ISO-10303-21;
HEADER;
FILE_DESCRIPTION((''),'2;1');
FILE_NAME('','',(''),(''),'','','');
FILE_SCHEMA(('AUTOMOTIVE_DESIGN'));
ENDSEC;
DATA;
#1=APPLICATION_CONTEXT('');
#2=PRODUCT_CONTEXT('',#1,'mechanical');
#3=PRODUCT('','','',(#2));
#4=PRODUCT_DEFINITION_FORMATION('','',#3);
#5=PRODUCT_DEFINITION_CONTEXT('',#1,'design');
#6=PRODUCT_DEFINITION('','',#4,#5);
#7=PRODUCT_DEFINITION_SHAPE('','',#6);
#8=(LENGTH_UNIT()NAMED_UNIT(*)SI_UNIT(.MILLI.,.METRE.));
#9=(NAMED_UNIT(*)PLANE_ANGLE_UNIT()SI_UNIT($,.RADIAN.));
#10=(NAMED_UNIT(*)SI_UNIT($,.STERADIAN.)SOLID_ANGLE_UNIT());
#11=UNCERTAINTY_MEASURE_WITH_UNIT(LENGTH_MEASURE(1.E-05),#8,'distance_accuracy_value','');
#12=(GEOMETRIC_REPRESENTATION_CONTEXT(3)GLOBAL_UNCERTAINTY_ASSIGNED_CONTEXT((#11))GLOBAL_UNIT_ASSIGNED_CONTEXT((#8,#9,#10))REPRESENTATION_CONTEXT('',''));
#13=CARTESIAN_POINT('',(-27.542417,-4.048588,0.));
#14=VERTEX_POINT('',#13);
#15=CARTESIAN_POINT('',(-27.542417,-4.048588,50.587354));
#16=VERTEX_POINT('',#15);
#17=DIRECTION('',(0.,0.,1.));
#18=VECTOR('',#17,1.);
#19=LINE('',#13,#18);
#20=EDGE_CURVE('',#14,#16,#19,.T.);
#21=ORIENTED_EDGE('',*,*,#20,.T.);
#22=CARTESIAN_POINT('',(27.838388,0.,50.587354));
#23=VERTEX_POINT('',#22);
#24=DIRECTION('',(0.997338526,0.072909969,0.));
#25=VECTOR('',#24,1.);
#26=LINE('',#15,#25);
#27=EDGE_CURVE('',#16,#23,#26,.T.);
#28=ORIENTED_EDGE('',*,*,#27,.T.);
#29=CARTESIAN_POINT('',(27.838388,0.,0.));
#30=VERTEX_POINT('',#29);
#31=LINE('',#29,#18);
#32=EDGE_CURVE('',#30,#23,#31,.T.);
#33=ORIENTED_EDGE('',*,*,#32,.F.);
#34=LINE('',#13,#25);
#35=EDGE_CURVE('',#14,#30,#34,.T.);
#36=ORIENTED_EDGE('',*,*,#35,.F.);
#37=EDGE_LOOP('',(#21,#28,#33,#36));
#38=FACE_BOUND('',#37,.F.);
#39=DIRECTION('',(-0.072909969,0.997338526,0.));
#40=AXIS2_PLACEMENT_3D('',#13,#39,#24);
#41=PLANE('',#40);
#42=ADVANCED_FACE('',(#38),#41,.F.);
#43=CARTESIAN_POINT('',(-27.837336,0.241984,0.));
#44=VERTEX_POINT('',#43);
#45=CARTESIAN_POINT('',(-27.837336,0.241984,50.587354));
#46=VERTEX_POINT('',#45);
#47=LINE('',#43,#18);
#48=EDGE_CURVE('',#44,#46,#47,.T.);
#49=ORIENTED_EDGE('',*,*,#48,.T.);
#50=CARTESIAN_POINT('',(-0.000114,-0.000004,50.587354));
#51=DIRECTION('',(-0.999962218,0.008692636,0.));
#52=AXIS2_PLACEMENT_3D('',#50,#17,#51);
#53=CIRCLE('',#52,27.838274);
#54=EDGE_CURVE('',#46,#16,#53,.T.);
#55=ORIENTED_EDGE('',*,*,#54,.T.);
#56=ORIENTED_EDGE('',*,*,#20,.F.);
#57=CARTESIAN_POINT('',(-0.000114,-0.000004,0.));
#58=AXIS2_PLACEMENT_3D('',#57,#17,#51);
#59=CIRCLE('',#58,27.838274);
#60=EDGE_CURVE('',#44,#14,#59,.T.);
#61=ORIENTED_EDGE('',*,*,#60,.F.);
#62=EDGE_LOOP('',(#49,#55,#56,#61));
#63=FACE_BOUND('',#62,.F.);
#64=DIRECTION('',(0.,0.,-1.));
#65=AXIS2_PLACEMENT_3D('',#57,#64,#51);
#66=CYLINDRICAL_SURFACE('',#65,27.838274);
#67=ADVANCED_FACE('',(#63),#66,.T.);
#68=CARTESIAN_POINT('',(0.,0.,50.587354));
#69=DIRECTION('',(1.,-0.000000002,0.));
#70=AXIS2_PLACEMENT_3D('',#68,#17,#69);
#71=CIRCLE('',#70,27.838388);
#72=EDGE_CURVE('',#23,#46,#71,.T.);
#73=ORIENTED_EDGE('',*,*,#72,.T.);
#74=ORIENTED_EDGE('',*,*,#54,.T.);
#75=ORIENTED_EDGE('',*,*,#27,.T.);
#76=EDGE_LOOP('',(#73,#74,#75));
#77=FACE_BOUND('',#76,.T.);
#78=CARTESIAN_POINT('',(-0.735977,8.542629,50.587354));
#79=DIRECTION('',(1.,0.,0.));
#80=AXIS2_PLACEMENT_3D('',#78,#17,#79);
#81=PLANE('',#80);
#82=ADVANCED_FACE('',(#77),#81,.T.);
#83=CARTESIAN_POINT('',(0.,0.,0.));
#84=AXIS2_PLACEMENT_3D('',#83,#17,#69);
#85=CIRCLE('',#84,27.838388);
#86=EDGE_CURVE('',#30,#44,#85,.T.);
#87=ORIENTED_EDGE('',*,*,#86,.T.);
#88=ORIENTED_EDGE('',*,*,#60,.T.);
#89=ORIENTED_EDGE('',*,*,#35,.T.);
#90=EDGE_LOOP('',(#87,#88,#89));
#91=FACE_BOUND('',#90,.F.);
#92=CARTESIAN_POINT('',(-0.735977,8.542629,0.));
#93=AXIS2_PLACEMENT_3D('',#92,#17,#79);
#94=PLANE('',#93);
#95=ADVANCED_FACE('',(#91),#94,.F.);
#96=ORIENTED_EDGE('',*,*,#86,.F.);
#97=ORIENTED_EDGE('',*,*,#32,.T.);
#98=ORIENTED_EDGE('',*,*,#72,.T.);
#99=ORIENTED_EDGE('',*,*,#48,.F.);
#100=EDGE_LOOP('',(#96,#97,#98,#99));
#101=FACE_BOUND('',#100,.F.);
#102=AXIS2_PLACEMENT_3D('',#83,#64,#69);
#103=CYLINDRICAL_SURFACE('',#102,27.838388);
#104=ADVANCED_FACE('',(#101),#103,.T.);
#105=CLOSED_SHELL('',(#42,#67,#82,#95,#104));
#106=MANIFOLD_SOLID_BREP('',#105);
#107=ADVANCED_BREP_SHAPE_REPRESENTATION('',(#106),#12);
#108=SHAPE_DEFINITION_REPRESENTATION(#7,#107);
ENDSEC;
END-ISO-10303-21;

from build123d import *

# Parameters (mm, degrees)
F1_DEPTH = 50.587354


with BuildPart() as f1:
    # F0 (on Top) → F1 (new body)
    with BuildSketch(Plane.XY):
        with BuildLine():
            Line((-27.542417, -4.048588), (27.838388, 0))
            ThreePointArc((27.838388, 0), (0.120993, 27.838125), (-27.837336, 0.241984))
            ThreePointArc((-27.837336, 0.241984), (-27.772856, -1.909006), (-27.542417, -4.048588))
        make_face()
    extrude(amount=F1_DEPTH)


solid = f1.part
